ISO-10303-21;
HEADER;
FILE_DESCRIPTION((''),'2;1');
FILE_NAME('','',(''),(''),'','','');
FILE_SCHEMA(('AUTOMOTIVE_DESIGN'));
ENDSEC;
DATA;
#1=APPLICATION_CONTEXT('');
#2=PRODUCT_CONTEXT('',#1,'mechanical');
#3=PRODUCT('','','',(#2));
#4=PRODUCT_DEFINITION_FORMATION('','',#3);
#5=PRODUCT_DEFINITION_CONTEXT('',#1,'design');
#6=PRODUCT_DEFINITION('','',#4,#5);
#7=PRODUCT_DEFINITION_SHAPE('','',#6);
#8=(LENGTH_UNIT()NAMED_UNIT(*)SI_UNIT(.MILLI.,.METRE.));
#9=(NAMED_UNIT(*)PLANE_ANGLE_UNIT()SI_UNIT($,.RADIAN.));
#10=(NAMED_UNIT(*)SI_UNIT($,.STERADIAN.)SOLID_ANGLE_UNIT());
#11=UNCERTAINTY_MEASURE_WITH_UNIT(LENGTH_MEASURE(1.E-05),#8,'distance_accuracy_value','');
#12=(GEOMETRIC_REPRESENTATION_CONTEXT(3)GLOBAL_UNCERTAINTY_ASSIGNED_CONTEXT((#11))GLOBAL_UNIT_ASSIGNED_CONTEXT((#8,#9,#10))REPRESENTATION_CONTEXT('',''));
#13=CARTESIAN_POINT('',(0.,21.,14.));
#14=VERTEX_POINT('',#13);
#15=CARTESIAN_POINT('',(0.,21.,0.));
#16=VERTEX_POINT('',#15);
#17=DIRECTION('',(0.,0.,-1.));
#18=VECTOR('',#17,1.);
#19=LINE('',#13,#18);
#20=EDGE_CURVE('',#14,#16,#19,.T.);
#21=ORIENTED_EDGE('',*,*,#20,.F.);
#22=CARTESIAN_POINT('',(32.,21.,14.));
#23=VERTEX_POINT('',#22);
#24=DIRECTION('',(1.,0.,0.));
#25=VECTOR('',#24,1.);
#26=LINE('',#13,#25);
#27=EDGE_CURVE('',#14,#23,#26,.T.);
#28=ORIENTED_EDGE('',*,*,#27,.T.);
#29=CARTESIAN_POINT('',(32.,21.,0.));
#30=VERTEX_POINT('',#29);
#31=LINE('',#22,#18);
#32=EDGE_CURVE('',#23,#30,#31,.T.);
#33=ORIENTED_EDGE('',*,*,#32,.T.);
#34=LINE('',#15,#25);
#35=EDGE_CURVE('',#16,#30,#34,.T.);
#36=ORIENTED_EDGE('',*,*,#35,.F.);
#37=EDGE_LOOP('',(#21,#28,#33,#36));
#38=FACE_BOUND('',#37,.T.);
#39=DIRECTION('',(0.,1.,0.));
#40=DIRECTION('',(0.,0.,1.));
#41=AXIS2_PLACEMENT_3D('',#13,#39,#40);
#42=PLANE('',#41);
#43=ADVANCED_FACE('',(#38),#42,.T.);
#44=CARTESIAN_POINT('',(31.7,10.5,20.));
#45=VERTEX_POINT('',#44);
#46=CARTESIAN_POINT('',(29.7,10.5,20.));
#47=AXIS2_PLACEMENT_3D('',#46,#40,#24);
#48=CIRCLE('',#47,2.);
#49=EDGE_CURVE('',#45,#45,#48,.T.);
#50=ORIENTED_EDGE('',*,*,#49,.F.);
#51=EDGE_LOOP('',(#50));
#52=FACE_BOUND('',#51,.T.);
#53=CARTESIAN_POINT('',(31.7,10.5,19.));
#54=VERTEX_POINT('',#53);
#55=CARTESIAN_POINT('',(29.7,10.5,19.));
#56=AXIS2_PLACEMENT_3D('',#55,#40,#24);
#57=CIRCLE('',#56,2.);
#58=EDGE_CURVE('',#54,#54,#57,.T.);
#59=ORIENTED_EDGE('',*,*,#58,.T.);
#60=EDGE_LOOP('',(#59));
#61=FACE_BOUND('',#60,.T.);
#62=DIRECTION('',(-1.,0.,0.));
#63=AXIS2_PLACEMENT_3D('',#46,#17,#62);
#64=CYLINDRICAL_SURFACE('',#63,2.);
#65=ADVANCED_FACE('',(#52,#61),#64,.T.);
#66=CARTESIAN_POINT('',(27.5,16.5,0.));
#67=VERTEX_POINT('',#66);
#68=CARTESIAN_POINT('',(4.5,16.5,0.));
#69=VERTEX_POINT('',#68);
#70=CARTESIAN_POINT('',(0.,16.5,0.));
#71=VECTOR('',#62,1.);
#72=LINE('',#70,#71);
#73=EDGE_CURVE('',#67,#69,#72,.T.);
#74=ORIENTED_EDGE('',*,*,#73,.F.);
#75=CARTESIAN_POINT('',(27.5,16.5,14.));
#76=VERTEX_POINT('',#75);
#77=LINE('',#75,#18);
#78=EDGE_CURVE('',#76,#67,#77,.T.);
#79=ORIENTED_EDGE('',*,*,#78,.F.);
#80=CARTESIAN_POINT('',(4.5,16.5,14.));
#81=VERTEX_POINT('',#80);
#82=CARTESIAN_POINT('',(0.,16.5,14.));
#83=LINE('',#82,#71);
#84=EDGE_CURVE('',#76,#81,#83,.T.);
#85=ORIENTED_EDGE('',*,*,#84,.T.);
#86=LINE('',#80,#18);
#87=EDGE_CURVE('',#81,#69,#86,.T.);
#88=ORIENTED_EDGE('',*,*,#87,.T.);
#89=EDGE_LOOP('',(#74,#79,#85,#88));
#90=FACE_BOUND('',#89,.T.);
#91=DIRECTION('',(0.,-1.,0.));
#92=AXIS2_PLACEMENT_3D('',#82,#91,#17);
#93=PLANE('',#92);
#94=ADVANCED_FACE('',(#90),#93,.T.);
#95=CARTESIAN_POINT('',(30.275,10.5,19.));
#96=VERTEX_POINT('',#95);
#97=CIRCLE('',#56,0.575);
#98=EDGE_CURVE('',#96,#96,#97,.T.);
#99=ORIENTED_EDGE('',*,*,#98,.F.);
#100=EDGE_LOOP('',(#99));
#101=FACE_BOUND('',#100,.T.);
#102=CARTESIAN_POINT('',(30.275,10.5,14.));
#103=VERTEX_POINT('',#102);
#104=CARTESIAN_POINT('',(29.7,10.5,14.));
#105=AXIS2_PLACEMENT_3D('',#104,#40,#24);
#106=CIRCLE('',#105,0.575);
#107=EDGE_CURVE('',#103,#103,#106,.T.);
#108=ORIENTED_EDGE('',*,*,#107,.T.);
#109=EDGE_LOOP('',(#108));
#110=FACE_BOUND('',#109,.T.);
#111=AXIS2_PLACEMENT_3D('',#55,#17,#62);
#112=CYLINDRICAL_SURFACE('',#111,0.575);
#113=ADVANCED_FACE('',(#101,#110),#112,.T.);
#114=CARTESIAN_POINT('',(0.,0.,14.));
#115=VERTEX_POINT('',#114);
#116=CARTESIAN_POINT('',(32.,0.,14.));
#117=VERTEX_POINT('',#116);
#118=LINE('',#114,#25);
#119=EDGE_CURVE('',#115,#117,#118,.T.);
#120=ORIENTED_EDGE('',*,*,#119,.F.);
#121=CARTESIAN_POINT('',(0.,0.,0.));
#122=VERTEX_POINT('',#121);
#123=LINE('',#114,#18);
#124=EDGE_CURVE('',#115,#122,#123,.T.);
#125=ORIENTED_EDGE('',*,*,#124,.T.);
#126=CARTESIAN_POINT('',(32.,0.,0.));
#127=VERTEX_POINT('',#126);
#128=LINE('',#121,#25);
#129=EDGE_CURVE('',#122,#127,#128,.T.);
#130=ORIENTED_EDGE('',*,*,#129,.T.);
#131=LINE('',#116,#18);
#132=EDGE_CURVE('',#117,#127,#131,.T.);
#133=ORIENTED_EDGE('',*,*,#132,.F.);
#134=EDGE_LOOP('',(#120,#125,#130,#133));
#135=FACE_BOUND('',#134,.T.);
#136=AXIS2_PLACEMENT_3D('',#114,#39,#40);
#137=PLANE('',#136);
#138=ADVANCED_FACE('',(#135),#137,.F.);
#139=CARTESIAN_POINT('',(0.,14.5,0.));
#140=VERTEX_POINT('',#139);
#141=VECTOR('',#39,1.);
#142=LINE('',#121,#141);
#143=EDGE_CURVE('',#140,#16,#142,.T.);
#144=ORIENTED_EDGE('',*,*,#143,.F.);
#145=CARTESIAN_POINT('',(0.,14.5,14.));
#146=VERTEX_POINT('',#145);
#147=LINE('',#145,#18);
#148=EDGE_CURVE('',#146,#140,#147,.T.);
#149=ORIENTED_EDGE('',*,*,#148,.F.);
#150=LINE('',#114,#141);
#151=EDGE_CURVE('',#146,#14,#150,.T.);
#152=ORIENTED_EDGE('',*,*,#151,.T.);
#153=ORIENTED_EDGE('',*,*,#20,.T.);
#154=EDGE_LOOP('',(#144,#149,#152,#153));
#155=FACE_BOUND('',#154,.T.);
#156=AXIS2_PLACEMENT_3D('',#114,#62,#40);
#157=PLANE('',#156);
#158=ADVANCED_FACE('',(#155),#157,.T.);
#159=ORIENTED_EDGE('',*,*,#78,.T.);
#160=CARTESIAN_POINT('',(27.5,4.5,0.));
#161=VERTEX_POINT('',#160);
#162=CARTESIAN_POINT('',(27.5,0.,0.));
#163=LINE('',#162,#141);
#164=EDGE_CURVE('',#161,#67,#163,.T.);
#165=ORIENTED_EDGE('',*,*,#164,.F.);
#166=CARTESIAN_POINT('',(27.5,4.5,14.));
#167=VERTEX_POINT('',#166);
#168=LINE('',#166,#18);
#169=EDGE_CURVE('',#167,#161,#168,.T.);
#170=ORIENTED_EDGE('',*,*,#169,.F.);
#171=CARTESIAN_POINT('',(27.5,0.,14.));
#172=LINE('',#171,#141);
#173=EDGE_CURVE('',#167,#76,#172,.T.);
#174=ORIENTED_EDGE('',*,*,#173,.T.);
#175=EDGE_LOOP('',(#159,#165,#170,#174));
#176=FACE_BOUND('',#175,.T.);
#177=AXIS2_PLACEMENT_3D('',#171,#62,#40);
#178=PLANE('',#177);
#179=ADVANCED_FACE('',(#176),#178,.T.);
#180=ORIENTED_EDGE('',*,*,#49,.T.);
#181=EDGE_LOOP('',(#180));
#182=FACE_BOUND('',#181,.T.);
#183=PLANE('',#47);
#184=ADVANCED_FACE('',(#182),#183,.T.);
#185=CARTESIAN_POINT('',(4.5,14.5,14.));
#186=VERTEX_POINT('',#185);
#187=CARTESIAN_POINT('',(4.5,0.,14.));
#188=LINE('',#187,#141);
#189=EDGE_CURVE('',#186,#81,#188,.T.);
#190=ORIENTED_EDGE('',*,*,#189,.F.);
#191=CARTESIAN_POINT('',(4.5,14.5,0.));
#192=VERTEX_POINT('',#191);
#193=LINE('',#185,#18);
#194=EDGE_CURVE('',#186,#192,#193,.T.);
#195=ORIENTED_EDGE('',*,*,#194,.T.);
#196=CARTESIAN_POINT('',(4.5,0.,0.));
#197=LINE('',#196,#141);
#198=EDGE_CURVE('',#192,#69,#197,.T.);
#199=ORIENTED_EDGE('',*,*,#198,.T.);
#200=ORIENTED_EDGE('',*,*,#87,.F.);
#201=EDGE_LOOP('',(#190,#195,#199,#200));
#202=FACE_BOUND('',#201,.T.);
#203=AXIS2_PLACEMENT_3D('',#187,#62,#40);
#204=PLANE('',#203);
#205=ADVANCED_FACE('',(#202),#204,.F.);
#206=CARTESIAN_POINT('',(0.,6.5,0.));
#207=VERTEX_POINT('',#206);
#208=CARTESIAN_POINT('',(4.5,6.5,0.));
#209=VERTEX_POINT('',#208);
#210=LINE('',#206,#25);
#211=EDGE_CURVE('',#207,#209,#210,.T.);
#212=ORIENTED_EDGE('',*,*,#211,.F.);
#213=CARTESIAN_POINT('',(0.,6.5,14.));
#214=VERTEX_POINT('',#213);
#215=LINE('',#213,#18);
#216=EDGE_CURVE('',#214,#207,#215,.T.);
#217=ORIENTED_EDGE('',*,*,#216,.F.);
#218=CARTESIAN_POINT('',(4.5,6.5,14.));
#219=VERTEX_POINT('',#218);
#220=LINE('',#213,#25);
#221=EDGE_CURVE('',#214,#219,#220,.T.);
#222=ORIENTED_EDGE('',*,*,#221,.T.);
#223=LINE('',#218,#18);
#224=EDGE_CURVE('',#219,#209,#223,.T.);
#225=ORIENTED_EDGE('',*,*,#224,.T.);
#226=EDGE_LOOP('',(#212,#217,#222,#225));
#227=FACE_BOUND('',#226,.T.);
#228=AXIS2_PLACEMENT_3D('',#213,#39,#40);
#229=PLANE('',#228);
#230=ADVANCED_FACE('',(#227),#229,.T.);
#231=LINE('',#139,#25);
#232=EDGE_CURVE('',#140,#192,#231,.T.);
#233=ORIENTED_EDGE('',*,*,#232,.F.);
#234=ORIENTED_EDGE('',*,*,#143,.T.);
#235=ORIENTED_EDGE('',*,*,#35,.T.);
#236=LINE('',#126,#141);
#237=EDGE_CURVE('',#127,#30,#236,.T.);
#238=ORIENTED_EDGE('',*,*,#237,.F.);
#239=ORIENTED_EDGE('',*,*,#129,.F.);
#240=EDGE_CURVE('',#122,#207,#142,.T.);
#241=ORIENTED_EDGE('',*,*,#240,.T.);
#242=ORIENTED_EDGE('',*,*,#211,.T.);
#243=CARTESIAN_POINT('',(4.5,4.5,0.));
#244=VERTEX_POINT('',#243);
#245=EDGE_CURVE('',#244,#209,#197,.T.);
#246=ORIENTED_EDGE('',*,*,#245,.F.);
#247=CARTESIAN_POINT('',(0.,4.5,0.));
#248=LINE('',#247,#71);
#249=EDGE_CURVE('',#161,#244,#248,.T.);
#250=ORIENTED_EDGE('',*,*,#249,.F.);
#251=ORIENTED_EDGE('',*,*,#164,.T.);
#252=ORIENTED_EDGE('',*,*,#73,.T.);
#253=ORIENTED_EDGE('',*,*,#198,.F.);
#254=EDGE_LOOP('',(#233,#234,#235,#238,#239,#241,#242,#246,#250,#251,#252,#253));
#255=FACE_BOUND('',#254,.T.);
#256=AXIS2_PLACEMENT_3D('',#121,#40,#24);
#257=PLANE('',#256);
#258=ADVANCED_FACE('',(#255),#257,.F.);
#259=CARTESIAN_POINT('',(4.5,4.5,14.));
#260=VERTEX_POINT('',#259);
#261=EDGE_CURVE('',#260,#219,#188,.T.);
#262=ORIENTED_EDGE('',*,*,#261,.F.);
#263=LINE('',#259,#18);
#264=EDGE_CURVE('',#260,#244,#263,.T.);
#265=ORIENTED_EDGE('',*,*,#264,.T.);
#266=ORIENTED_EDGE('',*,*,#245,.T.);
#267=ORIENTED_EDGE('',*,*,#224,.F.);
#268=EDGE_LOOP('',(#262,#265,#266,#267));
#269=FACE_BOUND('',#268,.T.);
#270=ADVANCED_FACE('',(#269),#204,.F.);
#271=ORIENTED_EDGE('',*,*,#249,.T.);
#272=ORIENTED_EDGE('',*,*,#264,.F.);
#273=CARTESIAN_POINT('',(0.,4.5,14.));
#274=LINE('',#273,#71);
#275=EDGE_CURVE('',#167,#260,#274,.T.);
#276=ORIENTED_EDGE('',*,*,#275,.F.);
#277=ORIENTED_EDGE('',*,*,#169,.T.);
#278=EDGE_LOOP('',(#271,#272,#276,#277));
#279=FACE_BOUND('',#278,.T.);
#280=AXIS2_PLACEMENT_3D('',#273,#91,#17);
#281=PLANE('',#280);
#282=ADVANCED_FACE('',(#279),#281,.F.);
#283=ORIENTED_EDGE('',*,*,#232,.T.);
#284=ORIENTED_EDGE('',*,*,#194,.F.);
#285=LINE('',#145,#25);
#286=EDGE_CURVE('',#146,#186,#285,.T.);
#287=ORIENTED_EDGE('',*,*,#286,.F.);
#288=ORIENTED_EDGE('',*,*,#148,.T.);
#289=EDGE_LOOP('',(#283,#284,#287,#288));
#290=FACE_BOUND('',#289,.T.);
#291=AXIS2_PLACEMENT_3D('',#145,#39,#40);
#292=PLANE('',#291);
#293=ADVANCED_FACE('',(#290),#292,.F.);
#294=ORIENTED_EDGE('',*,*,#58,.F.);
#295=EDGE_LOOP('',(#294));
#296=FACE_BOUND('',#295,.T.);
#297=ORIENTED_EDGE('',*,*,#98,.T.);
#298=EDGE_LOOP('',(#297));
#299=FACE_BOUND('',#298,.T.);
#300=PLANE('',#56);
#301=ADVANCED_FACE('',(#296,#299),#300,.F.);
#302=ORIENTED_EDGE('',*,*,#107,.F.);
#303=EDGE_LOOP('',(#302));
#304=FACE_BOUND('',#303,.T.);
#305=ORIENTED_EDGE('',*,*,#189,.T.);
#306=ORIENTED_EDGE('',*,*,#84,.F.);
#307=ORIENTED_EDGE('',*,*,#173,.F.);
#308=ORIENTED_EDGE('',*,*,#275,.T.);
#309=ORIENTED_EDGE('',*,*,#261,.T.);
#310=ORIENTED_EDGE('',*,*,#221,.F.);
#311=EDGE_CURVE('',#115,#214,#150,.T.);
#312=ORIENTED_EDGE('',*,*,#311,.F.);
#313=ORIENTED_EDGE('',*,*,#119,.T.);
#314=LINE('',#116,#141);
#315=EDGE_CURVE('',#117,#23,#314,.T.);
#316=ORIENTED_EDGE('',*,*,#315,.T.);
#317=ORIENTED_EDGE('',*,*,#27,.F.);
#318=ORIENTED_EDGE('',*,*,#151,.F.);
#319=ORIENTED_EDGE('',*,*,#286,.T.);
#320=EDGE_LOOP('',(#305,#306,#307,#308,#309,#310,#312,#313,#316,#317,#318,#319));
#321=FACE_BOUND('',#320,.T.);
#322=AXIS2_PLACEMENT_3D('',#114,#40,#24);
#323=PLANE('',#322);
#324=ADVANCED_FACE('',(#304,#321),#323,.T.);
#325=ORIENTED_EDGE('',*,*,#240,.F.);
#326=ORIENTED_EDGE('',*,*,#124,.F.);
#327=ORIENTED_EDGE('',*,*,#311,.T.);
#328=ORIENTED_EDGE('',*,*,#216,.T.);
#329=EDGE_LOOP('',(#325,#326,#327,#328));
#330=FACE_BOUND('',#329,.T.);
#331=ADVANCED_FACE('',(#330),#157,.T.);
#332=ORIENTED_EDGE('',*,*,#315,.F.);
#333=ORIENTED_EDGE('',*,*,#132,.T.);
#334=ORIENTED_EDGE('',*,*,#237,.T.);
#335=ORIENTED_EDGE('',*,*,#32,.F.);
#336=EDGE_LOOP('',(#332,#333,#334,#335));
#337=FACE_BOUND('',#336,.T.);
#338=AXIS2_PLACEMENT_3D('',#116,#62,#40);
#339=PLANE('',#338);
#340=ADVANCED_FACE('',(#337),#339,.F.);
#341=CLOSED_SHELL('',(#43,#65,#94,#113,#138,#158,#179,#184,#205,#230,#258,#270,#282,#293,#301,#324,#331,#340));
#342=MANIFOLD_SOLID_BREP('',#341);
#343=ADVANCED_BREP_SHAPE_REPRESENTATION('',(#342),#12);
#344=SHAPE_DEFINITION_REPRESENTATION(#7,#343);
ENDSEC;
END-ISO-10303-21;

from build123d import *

# Parameters (mm, degrees)
BOSS_EXTRUDE3_DEPTH = 14
SKETCH4_R           = 0.575
BOSS_EXTRUDE4_DEPTH = 5
SKETCH5_R           = 2
BOSS_EXTRUDE5_DEPTH = 1


with BuildPart() as part:
    # Sketch1 → Boss-Extrude3 (new body)
    with BuildSketch(Plane.XY):
        Polygon((0, 0), (32, 0), (32, 21), (0, 21), (0, 14.5), (4.5, 14.5), (4.5, 16.5), (27.5, 16.5), (27.5, 4.5), (4.5, 4.5), (4.5, 6.5), (0, 6.5), align=None)
    extrude(amount=BOSS_EXTRUDE3_DEPTH)

    # Sketch4 → Boss-Extrude4 (add)
    with BuildSketch(Plane.XY.offset(14)):
        with Locations((29.7, 10.5)):
            Circle(SKETCH4_R)
    extrude(amount=BOSS_EXTRUDE4_DEPTH)

    # Sketch5 → Boss-Extrude5 (add)
    with BuildSketch(Plane.XY.offset(19)):
        with Locations((29.7, 10.5)):
            Circle(SKETCH5_R)
    extrude(amount=BOSS_EXTRUDE5_DEPTH)


solid = part.part
